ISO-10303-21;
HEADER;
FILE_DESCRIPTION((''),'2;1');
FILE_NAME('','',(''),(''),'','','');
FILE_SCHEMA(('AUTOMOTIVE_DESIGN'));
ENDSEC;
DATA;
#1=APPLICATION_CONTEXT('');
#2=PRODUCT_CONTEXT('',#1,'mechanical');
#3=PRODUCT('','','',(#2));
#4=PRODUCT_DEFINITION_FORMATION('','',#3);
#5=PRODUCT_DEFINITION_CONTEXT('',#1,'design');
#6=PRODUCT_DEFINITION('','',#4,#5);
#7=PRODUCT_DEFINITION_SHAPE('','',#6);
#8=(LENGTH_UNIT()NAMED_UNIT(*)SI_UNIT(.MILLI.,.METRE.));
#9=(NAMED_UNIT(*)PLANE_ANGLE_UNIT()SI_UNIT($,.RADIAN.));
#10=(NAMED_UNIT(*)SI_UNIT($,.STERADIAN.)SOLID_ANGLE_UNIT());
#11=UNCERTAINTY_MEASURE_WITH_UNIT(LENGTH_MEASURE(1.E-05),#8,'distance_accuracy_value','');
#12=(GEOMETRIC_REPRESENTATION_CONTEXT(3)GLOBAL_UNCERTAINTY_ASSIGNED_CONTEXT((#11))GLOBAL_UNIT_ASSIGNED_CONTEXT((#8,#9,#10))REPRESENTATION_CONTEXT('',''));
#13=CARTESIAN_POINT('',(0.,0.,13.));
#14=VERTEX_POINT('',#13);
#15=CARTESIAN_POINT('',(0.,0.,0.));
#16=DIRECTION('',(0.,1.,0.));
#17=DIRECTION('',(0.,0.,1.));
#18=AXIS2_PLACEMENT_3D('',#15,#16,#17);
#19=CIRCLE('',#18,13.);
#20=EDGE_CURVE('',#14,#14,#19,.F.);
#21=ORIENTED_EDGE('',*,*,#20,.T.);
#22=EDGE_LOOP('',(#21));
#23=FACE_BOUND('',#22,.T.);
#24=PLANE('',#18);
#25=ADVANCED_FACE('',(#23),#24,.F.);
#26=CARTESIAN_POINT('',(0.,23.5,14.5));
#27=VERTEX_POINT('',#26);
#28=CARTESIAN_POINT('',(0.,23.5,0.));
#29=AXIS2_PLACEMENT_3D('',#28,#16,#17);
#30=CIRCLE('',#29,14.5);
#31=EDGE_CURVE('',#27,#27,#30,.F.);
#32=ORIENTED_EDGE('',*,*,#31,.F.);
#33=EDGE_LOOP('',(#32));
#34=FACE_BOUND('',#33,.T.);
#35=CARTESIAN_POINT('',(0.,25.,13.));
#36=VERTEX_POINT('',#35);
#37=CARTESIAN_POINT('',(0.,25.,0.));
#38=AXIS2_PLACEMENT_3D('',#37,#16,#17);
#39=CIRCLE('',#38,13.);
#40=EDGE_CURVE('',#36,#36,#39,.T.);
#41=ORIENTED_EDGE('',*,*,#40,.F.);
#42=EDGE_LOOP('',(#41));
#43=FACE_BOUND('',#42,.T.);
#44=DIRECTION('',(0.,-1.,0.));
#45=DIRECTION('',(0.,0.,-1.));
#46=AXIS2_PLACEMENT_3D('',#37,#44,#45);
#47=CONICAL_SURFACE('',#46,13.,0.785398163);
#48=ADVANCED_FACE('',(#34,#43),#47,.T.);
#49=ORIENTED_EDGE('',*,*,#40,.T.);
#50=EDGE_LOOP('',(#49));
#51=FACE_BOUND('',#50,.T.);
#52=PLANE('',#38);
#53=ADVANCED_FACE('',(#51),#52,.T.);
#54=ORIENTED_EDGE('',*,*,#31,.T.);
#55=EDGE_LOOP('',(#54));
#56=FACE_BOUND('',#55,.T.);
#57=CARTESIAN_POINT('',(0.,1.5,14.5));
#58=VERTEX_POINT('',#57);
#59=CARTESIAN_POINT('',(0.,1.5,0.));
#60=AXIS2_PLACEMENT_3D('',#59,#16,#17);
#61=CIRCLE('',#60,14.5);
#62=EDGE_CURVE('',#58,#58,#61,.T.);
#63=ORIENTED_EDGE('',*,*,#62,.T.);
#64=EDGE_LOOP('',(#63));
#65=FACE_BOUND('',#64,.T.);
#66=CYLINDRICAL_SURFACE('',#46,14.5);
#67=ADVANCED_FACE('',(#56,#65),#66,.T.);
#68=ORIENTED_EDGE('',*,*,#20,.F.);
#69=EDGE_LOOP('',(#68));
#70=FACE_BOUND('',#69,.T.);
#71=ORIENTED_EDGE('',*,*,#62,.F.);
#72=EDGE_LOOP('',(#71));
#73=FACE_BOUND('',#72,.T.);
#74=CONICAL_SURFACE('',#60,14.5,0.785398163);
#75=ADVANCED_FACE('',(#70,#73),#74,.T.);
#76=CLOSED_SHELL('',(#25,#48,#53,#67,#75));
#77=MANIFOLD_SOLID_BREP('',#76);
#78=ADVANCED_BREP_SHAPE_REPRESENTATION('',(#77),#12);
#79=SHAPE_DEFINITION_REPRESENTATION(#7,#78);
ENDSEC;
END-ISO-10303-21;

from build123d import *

# Parameters (mm, degrees)
SKETCH_1_R      = 14.5
EXTRUDE_1_DEPTH = 25
CHAMFER_1_SIZE  = 1.5


with BuildPart() as part:
    # 草图1 → 凸台-拉伸1 (new body)
    with BuildSketch(Plane(origin=(0, 0, 0), x_dir=(1, 0, 0), z_dir=(0, 1, 0))):
        with Locations(Location((0, 0, 0), (0, 0, 270))):
            Circle(SKETCH_1_R)
    extrude(amount=EXTRUDE_1_DEPTH)

    # 倒角1
    chamfer_1_edges = [part.edges().sort_by_distance(p)[0] for p in [
        (0, 0, -14.5),
        (0, 25, -14.5),
    ]]
    chamfer(chamfer_1_edges, length=CHAMFER_1_SIZE)


solid = part.part
